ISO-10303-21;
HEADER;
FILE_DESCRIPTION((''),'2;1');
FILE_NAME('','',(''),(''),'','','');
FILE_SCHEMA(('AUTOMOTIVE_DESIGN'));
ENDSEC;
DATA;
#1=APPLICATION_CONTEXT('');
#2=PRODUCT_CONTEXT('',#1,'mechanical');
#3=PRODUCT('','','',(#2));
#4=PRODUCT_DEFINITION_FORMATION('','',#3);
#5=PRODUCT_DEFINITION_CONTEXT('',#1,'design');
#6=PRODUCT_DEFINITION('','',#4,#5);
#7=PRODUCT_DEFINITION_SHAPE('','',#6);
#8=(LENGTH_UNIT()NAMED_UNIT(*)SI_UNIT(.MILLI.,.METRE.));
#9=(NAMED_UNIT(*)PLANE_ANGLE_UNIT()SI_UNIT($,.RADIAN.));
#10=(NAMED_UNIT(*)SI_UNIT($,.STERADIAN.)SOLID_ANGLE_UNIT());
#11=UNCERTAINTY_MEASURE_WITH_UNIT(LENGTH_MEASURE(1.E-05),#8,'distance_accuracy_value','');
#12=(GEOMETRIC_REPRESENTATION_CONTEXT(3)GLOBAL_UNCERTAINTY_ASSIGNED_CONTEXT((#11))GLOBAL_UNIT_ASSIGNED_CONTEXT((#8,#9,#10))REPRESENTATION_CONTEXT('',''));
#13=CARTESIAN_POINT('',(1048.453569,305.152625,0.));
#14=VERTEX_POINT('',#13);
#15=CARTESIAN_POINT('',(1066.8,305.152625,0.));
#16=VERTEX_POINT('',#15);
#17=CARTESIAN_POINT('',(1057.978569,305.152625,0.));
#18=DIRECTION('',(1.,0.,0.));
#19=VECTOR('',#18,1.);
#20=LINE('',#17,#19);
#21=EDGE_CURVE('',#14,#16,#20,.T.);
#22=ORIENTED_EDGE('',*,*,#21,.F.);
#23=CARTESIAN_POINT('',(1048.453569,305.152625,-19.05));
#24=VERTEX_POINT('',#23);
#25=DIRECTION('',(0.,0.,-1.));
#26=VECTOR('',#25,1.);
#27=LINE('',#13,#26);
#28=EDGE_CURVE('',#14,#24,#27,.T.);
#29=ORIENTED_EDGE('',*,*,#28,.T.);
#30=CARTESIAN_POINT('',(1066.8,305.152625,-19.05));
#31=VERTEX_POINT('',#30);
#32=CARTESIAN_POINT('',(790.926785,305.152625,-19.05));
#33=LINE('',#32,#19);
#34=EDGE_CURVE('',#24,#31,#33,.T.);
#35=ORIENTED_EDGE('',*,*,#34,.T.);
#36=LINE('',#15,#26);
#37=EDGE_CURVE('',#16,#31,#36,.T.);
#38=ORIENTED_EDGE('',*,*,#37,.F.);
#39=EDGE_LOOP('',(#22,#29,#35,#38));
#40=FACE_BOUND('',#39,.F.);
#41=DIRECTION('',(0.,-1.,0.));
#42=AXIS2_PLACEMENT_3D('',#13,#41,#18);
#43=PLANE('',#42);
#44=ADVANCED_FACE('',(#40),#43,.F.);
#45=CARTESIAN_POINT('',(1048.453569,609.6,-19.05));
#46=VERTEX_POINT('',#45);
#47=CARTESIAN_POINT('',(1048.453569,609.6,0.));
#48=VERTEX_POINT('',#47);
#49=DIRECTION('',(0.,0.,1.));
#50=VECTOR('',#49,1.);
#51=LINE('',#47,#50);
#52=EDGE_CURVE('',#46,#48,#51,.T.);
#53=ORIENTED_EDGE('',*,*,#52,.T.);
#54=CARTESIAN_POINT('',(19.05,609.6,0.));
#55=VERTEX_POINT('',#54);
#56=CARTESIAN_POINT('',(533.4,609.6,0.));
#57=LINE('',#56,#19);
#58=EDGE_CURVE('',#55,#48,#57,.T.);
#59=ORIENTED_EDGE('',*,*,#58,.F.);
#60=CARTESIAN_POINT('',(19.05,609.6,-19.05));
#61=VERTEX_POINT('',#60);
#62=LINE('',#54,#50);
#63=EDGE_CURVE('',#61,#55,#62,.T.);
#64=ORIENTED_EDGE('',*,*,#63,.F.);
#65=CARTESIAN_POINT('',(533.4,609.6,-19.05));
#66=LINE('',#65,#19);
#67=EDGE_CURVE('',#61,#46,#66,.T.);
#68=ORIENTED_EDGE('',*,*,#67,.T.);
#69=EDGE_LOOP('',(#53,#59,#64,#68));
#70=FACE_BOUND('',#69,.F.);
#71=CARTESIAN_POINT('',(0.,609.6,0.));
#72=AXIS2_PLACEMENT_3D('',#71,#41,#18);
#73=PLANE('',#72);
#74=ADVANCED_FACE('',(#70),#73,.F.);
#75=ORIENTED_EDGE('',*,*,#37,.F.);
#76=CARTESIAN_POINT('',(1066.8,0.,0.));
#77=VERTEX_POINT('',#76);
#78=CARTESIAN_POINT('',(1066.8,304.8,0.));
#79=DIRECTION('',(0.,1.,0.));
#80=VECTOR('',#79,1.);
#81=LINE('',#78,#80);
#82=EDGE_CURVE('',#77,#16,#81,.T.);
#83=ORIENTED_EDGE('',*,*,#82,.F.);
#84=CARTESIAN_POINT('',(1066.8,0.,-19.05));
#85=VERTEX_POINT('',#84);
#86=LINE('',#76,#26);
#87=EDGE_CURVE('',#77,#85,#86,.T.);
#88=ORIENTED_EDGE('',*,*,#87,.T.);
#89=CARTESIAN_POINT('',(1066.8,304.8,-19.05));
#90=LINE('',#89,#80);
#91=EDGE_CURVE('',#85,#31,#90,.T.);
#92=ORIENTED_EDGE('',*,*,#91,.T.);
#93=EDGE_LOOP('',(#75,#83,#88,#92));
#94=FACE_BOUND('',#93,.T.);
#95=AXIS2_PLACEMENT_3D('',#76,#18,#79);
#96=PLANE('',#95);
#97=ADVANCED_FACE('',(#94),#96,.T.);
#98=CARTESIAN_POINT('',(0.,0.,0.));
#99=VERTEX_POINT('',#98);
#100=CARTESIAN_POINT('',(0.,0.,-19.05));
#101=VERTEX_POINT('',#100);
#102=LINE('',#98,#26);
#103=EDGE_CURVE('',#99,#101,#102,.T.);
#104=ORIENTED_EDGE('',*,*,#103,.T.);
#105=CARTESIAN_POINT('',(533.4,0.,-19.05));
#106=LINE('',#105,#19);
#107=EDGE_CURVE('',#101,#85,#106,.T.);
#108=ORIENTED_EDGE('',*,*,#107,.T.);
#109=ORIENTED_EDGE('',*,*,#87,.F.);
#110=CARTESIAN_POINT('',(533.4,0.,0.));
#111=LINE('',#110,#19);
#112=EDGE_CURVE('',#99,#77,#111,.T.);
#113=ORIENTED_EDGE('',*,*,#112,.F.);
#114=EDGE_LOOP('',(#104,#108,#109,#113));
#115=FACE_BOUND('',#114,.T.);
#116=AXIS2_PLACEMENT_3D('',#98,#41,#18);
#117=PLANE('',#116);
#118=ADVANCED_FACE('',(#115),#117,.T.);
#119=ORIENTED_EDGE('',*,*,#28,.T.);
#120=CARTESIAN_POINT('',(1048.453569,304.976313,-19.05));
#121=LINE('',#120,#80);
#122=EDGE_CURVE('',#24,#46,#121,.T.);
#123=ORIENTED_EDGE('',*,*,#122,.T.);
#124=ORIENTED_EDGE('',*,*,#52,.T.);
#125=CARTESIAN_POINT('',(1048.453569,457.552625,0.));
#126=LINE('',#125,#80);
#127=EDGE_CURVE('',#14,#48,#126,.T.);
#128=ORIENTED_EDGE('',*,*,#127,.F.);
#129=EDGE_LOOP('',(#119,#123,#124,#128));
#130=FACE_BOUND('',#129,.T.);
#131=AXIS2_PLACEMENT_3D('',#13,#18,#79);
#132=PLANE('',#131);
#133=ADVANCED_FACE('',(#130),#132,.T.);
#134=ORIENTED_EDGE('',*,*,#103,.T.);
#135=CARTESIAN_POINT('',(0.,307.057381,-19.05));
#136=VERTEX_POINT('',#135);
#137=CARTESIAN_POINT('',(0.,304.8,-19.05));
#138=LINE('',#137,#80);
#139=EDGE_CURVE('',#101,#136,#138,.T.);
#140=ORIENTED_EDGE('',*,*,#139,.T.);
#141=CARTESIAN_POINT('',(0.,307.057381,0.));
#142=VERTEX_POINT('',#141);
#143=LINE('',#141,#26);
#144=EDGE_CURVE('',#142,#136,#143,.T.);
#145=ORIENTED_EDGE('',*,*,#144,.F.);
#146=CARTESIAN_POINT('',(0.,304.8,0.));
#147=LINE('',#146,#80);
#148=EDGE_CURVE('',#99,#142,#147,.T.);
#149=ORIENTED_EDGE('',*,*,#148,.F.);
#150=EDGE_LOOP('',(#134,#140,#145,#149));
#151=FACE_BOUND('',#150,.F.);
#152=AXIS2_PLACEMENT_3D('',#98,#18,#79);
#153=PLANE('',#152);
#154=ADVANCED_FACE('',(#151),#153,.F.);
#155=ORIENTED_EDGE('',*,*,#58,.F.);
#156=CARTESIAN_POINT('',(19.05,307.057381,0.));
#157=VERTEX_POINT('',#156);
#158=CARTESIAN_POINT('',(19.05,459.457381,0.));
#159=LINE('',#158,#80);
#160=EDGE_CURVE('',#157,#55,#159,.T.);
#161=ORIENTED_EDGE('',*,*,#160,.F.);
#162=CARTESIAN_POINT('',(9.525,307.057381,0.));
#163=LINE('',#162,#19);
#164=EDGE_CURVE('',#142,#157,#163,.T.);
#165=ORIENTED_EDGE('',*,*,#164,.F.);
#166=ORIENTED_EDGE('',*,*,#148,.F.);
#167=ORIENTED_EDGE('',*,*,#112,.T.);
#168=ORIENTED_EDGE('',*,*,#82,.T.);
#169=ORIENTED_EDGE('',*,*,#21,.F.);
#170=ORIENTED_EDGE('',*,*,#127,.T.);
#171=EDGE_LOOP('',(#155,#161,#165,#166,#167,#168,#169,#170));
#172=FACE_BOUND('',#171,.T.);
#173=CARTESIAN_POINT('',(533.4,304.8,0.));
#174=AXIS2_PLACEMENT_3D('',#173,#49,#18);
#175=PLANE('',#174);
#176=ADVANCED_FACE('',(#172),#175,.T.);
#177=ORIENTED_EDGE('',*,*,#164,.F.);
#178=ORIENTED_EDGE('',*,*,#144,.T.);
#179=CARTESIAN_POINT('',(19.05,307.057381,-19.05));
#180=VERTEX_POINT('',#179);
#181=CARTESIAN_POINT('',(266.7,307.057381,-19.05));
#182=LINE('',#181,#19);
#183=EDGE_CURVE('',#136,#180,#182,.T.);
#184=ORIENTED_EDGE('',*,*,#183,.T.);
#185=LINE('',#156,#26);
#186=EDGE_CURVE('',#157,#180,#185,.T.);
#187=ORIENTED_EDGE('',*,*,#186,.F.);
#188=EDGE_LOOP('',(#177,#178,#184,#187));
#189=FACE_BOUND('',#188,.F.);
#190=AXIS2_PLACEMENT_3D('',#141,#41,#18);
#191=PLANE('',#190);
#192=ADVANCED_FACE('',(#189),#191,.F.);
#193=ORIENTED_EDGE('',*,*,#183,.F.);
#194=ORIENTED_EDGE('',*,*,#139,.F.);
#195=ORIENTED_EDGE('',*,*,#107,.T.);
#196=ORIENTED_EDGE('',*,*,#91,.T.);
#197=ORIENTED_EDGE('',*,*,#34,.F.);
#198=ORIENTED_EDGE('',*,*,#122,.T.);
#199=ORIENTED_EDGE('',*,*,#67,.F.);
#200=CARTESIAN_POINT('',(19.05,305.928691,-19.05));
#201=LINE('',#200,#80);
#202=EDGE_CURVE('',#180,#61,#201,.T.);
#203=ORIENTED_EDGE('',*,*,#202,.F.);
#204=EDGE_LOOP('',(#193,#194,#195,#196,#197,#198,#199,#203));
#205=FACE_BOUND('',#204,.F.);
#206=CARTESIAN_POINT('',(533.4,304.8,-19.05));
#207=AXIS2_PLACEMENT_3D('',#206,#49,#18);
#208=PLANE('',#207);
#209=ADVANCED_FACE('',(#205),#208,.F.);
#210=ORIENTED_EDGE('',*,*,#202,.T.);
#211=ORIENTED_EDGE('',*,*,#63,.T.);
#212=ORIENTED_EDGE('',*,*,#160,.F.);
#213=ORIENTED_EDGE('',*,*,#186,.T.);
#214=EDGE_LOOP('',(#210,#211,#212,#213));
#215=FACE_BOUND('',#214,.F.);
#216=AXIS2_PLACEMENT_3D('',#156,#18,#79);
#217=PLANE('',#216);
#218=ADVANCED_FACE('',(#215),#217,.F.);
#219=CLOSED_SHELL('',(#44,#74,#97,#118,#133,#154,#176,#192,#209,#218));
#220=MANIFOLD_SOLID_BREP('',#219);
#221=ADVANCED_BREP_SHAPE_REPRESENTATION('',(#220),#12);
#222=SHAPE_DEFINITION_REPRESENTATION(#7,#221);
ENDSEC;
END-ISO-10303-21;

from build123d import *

# Parameters (mm, degrees)
F0_W     = 1066.8
F0_H     = 609.6
F1_DEPTH = 19.05
F2_W     = 19.05
F2_H     = 304.8
F3_DEPTH = 19.051


with BuildPart() as f1:
    # F0 (on Top) → F1 (new body)
    with BuildSketch(Plane.XY):
        with Locations((533.4, 304.8)):
            Rectangle(F0_W, F0_H)
    extrude(amount=-F1_DEPTH)

    # F2 (on Top) → F3 (cut, through all)
    with BuildSketch(Plane.XY):
        with Locations((9.525, 459.457381)):
            Rectangle(F2_W, F2_H)
        with Locations((1057.978569, 457.552625)):
            Rectangle(F2_W, F2_H)
    extrude(amount=-F3_DEPTH, mode=Mode.SUBTRACT)


solid = f1.part
